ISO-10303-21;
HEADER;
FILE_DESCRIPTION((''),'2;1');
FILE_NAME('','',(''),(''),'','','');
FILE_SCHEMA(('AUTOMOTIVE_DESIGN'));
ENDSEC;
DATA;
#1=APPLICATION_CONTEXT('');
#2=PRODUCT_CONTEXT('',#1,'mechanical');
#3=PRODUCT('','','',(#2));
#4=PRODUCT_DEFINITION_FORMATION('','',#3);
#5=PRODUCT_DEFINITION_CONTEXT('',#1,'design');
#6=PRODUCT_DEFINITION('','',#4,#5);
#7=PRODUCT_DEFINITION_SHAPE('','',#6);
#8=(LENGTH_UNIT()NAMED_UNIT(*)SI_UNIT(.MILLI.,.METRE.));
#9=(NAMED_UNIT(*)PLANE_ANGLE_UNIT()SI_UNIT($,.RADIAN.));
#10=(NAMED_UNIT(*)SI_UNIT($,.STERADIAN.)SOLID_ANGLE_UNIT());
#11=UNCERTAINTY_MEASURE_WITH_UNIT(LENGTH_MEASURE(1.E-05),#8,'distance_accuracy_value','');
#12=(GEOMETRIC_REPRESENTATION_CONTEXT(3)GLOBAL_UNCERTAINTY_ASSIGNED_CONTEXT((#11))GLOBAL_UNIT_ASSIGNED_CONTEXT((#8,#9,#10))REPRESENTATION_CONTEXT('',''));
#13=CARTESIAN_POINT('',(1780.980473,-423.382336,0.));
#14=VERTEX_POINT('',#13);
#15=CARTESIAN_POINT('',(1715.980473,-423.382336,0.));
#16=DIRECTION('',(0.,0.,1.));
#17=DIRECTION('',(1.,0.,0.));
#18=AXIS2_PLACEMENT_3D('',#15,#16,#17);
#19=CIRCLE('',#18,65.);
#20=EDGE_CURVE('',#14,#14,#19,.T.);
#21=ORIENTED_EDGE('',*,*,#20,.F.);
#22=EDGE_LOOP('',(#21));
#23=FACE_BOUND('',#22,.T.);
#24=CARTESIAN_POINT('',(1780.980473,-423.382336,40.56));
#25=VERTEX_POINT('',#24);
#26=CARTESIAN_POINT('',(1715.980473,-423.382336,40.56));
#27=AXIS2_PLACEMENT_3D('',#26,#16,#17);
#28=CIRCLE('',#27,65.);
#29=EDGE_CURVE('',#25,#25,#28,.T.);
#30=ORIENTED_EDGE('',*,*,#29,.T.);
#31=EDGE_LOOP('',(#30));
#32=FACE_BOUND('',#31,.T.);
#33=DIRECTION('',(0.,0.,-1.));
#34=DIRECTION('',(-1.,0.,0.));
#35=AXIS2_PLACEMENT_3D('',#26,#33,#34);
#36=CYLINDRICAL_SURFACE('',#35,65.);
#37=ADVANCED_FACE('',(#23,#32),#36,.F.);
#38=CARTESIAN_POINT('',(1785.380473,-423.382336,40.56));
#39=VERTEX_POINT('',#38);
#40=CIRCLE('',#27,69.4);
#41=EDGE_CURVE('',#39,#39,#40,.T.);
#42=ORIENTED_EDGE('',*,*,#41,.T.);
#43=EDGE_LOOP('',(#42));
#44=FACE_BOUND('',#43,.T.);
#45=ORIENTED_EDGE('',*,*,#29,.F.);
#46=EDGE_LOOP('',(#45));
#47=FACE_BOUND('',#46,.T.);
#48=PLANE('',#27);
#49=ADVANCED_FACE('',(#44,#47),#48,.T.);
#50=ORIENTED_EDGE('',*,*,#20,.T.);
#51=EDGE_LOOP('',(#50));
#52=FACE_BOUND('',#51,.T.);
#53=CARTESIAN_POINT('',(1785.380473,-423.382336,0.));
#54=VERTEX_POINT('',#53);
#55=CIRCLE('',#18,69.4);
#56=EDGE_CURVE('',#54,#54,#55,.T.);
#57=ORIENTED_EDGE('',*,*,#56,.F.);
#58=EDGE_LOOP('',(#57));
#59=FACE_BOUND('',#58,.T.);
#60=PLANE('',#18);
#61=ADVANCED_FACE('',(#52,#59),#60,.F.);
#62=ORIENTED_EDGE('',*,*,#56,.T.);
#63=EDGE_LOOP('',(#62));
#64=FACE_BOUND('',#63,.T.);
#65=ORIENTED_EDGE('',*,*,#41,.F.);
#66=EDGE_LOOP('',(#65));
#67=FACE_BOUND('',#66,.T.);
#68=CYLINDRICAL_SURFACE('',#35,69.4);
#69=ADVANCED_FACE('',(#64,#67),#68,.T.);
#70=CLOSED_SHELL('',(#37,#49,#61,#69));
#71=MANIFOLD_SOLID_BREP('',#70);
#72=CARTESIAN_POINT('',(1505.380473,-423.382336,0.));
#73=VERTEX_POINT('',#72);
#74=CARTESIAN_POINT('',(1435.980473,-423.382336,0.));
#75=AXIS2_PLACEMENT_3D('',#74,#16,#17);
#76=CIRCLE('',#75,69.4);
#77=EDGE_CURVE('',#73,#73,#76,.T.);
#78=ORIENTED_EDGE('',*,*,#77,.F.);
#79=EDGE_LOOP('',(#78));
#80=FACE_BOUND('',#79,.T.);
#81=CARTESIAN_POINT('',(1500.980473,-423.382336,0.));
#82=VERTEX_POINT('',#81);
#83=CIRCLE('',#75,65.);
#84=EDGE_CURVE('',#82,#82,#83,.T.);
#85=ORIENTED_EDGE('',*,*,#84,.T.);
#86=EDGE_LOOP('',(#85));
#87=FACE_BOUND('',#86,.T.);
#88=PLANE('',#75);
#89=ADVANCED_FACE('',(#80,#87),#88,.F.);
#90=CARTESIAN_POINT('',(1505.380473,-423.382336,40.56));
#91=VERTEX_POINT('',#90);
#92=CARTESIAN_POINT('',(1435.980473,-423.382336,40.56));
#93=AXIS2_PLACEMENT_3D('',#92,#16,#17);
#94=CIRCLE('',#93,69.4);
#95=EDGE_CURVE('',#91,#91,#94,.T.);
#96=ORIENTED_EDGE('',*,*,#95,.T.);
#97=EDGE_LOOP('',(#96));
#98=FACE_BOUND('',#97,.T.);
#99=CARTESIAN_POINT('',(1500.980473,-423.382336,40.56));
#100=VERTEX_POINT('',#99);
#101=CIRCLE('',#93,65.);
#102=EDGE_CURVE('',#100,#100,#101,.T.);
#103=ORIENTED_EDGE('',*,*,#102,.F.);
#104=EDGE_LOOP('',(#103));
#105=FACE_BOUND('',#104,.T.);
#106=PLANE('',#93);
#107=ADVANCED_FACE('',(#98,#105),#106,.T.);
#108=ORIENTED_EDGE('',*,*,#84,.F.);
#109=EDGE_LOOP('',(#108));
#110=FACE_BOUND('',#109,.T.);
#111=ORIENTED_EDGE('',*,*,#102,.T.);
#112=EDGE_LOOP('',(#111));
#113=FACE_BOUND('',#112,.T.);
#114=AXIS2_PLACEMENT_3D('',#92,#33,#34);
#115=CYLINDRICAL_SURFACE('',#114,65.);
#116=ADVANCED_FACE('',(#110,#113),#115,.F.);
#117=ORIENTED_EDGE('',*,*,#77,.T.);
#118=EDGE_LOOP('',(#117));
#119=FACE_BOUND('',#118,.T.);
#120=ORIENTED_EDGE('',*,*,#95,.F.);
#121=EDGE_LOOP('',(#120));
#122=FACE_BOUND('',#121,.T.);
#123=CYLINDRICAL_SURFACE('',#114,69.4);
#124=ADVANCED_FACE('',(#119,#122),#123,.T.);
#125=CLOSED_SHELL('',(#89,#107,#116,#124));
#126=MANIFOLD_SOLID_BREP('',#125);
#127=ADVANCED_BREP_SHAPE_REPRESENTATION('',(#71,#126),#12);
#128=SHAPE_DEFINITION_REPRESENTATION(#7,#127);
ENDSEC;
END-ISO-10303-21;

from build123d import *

# Parameters (mm, degrees)
SKETCH1_R             = 69.4
SKETCH1_R_2           = 65
BOSS_EXTRUDE1_DEPTH   = 40.56
BOSS_EXTRUDE1_2_DEPTH = 40.56


with BuildPart() as part:
    # Sketch1 → Boss-Extrude1 (new body)
    with BuildSketch(Plane.XY):
        with Locations((1435.980472759, -423.382336202)):
            Circle(SKETCH1_R)
        with Locations((1435.980472759, -423.382336202)):
            Circle(SKETCH1_R_2, mode=Mode.SUBTRACT)
    extrude(amount=BOSS_EXTRUDE1_DEPTH)


with BuildPart() as body_2:
    # Sketch1 → Boss-Extrude1 2 (new body)
    with BuildSketch(Plane.XY):
        with Locations((1715.980472759, -423.382336201)):
            Circle(SKETCH1_R)
        with Locations((1715.980472759, -423.382336201)):
            Circle(SKETCH1_R_2, mode=Mode.SUBTRACT)
    extrude(amount=BOSS_EXTRUDE1_2_DEPTH)


solid = Compound([part.part, body_2.part])
